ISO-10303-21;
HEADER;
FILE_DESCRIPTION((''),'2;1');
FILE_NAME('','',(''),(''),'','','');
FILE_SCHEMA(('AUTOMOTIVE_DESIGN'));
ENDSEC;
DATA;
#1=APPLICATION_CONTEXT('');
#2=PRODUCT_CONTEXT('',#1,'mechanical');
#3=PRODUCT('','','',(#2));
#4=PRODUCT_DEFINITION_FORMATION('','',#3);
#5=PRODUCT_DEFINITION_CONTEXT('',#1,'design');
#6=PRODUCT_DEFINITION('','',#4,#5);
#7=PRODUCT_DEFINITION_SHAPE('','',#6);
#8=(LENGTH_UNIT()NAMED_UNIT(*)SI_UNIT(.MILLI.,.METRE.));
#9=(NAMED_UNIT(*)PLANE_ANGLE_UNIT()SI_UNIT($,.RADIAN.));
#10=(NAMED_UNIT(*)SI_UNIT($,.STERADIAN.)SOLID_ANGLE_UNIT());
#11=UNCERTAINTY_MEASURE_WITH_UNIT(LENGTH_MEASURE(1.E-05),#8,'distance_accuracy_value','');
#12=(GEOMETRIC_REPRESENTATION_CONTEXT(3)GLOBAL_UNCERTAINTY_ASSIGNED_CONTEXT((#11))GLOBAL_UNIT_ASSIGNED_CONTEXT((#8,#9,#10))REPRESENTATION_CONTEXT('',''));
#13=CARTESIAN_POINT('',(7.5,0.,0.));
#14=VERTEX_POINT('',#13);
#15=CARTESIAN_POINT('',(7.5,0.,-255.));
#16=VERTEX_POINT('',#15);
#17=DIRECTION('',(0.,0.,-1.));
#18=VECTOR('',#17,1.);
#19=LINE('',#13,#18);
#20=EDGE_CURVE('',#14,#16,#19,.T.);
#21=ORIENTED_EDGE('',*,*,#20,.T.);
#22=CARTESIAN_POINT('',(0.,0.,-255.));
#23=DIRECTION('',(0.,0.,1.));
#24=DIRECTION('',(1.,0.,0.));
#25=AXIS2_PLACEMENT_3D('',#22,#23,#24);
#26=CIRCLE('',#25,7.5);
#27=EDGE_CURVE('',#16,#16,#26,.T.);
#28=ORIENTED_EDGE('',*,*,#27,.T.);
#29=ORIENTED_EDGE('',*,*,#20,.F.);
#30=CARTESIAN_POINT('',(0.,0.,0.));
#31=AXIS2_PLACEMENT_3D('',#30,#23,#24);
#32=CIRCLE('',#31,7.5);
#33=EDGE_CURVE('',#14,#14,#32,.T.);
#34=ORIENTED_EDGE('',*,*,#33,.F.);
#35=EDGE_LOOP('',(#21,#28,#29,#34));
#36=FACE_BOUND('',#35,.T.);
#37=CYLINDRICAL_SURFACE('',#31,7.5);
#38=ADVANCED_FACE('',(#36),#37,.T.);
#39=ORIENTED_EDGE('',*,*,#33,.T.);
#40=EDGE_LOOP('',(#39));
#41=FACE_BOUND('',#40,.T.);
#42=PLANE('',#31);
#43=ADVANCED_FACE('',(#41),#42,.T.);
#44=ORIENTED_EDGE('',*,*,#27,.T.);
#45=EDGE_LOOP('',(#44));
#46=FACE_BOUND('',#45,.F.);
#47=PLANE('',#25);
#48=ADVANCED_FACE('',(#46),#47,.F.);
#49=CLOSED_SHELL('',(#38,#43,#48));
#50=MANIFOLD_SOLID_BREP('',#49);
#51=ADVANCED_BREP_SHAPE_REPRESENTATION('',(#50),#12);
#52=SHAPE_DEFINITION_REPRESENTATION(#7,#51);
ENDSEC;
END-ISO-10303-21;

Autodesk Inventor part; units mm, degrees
ref_plane "YZ Plane" through (0, 0, 0) normal (1, 0, 0) x (0, 1, 0)
ref_plane "XZ Plane" through (0, 0, 0) normal (0, 1, 0) x (-1, 0, 0)
ref_plane "XY Plane" through (0, 0, 0) normal (0, 0, 1) x (1, 0, 0)
sketch "Sketch1" plane through (0, 0, 0) normal (0, 0, 1) x (1, 0, 0)
  circle A0 centre (0, 0) radius 7.5
  dimension "d0" = 15
extrude "Extrusion1" add sketch "Sketch1" against normal blind 255
properties part number "as"
